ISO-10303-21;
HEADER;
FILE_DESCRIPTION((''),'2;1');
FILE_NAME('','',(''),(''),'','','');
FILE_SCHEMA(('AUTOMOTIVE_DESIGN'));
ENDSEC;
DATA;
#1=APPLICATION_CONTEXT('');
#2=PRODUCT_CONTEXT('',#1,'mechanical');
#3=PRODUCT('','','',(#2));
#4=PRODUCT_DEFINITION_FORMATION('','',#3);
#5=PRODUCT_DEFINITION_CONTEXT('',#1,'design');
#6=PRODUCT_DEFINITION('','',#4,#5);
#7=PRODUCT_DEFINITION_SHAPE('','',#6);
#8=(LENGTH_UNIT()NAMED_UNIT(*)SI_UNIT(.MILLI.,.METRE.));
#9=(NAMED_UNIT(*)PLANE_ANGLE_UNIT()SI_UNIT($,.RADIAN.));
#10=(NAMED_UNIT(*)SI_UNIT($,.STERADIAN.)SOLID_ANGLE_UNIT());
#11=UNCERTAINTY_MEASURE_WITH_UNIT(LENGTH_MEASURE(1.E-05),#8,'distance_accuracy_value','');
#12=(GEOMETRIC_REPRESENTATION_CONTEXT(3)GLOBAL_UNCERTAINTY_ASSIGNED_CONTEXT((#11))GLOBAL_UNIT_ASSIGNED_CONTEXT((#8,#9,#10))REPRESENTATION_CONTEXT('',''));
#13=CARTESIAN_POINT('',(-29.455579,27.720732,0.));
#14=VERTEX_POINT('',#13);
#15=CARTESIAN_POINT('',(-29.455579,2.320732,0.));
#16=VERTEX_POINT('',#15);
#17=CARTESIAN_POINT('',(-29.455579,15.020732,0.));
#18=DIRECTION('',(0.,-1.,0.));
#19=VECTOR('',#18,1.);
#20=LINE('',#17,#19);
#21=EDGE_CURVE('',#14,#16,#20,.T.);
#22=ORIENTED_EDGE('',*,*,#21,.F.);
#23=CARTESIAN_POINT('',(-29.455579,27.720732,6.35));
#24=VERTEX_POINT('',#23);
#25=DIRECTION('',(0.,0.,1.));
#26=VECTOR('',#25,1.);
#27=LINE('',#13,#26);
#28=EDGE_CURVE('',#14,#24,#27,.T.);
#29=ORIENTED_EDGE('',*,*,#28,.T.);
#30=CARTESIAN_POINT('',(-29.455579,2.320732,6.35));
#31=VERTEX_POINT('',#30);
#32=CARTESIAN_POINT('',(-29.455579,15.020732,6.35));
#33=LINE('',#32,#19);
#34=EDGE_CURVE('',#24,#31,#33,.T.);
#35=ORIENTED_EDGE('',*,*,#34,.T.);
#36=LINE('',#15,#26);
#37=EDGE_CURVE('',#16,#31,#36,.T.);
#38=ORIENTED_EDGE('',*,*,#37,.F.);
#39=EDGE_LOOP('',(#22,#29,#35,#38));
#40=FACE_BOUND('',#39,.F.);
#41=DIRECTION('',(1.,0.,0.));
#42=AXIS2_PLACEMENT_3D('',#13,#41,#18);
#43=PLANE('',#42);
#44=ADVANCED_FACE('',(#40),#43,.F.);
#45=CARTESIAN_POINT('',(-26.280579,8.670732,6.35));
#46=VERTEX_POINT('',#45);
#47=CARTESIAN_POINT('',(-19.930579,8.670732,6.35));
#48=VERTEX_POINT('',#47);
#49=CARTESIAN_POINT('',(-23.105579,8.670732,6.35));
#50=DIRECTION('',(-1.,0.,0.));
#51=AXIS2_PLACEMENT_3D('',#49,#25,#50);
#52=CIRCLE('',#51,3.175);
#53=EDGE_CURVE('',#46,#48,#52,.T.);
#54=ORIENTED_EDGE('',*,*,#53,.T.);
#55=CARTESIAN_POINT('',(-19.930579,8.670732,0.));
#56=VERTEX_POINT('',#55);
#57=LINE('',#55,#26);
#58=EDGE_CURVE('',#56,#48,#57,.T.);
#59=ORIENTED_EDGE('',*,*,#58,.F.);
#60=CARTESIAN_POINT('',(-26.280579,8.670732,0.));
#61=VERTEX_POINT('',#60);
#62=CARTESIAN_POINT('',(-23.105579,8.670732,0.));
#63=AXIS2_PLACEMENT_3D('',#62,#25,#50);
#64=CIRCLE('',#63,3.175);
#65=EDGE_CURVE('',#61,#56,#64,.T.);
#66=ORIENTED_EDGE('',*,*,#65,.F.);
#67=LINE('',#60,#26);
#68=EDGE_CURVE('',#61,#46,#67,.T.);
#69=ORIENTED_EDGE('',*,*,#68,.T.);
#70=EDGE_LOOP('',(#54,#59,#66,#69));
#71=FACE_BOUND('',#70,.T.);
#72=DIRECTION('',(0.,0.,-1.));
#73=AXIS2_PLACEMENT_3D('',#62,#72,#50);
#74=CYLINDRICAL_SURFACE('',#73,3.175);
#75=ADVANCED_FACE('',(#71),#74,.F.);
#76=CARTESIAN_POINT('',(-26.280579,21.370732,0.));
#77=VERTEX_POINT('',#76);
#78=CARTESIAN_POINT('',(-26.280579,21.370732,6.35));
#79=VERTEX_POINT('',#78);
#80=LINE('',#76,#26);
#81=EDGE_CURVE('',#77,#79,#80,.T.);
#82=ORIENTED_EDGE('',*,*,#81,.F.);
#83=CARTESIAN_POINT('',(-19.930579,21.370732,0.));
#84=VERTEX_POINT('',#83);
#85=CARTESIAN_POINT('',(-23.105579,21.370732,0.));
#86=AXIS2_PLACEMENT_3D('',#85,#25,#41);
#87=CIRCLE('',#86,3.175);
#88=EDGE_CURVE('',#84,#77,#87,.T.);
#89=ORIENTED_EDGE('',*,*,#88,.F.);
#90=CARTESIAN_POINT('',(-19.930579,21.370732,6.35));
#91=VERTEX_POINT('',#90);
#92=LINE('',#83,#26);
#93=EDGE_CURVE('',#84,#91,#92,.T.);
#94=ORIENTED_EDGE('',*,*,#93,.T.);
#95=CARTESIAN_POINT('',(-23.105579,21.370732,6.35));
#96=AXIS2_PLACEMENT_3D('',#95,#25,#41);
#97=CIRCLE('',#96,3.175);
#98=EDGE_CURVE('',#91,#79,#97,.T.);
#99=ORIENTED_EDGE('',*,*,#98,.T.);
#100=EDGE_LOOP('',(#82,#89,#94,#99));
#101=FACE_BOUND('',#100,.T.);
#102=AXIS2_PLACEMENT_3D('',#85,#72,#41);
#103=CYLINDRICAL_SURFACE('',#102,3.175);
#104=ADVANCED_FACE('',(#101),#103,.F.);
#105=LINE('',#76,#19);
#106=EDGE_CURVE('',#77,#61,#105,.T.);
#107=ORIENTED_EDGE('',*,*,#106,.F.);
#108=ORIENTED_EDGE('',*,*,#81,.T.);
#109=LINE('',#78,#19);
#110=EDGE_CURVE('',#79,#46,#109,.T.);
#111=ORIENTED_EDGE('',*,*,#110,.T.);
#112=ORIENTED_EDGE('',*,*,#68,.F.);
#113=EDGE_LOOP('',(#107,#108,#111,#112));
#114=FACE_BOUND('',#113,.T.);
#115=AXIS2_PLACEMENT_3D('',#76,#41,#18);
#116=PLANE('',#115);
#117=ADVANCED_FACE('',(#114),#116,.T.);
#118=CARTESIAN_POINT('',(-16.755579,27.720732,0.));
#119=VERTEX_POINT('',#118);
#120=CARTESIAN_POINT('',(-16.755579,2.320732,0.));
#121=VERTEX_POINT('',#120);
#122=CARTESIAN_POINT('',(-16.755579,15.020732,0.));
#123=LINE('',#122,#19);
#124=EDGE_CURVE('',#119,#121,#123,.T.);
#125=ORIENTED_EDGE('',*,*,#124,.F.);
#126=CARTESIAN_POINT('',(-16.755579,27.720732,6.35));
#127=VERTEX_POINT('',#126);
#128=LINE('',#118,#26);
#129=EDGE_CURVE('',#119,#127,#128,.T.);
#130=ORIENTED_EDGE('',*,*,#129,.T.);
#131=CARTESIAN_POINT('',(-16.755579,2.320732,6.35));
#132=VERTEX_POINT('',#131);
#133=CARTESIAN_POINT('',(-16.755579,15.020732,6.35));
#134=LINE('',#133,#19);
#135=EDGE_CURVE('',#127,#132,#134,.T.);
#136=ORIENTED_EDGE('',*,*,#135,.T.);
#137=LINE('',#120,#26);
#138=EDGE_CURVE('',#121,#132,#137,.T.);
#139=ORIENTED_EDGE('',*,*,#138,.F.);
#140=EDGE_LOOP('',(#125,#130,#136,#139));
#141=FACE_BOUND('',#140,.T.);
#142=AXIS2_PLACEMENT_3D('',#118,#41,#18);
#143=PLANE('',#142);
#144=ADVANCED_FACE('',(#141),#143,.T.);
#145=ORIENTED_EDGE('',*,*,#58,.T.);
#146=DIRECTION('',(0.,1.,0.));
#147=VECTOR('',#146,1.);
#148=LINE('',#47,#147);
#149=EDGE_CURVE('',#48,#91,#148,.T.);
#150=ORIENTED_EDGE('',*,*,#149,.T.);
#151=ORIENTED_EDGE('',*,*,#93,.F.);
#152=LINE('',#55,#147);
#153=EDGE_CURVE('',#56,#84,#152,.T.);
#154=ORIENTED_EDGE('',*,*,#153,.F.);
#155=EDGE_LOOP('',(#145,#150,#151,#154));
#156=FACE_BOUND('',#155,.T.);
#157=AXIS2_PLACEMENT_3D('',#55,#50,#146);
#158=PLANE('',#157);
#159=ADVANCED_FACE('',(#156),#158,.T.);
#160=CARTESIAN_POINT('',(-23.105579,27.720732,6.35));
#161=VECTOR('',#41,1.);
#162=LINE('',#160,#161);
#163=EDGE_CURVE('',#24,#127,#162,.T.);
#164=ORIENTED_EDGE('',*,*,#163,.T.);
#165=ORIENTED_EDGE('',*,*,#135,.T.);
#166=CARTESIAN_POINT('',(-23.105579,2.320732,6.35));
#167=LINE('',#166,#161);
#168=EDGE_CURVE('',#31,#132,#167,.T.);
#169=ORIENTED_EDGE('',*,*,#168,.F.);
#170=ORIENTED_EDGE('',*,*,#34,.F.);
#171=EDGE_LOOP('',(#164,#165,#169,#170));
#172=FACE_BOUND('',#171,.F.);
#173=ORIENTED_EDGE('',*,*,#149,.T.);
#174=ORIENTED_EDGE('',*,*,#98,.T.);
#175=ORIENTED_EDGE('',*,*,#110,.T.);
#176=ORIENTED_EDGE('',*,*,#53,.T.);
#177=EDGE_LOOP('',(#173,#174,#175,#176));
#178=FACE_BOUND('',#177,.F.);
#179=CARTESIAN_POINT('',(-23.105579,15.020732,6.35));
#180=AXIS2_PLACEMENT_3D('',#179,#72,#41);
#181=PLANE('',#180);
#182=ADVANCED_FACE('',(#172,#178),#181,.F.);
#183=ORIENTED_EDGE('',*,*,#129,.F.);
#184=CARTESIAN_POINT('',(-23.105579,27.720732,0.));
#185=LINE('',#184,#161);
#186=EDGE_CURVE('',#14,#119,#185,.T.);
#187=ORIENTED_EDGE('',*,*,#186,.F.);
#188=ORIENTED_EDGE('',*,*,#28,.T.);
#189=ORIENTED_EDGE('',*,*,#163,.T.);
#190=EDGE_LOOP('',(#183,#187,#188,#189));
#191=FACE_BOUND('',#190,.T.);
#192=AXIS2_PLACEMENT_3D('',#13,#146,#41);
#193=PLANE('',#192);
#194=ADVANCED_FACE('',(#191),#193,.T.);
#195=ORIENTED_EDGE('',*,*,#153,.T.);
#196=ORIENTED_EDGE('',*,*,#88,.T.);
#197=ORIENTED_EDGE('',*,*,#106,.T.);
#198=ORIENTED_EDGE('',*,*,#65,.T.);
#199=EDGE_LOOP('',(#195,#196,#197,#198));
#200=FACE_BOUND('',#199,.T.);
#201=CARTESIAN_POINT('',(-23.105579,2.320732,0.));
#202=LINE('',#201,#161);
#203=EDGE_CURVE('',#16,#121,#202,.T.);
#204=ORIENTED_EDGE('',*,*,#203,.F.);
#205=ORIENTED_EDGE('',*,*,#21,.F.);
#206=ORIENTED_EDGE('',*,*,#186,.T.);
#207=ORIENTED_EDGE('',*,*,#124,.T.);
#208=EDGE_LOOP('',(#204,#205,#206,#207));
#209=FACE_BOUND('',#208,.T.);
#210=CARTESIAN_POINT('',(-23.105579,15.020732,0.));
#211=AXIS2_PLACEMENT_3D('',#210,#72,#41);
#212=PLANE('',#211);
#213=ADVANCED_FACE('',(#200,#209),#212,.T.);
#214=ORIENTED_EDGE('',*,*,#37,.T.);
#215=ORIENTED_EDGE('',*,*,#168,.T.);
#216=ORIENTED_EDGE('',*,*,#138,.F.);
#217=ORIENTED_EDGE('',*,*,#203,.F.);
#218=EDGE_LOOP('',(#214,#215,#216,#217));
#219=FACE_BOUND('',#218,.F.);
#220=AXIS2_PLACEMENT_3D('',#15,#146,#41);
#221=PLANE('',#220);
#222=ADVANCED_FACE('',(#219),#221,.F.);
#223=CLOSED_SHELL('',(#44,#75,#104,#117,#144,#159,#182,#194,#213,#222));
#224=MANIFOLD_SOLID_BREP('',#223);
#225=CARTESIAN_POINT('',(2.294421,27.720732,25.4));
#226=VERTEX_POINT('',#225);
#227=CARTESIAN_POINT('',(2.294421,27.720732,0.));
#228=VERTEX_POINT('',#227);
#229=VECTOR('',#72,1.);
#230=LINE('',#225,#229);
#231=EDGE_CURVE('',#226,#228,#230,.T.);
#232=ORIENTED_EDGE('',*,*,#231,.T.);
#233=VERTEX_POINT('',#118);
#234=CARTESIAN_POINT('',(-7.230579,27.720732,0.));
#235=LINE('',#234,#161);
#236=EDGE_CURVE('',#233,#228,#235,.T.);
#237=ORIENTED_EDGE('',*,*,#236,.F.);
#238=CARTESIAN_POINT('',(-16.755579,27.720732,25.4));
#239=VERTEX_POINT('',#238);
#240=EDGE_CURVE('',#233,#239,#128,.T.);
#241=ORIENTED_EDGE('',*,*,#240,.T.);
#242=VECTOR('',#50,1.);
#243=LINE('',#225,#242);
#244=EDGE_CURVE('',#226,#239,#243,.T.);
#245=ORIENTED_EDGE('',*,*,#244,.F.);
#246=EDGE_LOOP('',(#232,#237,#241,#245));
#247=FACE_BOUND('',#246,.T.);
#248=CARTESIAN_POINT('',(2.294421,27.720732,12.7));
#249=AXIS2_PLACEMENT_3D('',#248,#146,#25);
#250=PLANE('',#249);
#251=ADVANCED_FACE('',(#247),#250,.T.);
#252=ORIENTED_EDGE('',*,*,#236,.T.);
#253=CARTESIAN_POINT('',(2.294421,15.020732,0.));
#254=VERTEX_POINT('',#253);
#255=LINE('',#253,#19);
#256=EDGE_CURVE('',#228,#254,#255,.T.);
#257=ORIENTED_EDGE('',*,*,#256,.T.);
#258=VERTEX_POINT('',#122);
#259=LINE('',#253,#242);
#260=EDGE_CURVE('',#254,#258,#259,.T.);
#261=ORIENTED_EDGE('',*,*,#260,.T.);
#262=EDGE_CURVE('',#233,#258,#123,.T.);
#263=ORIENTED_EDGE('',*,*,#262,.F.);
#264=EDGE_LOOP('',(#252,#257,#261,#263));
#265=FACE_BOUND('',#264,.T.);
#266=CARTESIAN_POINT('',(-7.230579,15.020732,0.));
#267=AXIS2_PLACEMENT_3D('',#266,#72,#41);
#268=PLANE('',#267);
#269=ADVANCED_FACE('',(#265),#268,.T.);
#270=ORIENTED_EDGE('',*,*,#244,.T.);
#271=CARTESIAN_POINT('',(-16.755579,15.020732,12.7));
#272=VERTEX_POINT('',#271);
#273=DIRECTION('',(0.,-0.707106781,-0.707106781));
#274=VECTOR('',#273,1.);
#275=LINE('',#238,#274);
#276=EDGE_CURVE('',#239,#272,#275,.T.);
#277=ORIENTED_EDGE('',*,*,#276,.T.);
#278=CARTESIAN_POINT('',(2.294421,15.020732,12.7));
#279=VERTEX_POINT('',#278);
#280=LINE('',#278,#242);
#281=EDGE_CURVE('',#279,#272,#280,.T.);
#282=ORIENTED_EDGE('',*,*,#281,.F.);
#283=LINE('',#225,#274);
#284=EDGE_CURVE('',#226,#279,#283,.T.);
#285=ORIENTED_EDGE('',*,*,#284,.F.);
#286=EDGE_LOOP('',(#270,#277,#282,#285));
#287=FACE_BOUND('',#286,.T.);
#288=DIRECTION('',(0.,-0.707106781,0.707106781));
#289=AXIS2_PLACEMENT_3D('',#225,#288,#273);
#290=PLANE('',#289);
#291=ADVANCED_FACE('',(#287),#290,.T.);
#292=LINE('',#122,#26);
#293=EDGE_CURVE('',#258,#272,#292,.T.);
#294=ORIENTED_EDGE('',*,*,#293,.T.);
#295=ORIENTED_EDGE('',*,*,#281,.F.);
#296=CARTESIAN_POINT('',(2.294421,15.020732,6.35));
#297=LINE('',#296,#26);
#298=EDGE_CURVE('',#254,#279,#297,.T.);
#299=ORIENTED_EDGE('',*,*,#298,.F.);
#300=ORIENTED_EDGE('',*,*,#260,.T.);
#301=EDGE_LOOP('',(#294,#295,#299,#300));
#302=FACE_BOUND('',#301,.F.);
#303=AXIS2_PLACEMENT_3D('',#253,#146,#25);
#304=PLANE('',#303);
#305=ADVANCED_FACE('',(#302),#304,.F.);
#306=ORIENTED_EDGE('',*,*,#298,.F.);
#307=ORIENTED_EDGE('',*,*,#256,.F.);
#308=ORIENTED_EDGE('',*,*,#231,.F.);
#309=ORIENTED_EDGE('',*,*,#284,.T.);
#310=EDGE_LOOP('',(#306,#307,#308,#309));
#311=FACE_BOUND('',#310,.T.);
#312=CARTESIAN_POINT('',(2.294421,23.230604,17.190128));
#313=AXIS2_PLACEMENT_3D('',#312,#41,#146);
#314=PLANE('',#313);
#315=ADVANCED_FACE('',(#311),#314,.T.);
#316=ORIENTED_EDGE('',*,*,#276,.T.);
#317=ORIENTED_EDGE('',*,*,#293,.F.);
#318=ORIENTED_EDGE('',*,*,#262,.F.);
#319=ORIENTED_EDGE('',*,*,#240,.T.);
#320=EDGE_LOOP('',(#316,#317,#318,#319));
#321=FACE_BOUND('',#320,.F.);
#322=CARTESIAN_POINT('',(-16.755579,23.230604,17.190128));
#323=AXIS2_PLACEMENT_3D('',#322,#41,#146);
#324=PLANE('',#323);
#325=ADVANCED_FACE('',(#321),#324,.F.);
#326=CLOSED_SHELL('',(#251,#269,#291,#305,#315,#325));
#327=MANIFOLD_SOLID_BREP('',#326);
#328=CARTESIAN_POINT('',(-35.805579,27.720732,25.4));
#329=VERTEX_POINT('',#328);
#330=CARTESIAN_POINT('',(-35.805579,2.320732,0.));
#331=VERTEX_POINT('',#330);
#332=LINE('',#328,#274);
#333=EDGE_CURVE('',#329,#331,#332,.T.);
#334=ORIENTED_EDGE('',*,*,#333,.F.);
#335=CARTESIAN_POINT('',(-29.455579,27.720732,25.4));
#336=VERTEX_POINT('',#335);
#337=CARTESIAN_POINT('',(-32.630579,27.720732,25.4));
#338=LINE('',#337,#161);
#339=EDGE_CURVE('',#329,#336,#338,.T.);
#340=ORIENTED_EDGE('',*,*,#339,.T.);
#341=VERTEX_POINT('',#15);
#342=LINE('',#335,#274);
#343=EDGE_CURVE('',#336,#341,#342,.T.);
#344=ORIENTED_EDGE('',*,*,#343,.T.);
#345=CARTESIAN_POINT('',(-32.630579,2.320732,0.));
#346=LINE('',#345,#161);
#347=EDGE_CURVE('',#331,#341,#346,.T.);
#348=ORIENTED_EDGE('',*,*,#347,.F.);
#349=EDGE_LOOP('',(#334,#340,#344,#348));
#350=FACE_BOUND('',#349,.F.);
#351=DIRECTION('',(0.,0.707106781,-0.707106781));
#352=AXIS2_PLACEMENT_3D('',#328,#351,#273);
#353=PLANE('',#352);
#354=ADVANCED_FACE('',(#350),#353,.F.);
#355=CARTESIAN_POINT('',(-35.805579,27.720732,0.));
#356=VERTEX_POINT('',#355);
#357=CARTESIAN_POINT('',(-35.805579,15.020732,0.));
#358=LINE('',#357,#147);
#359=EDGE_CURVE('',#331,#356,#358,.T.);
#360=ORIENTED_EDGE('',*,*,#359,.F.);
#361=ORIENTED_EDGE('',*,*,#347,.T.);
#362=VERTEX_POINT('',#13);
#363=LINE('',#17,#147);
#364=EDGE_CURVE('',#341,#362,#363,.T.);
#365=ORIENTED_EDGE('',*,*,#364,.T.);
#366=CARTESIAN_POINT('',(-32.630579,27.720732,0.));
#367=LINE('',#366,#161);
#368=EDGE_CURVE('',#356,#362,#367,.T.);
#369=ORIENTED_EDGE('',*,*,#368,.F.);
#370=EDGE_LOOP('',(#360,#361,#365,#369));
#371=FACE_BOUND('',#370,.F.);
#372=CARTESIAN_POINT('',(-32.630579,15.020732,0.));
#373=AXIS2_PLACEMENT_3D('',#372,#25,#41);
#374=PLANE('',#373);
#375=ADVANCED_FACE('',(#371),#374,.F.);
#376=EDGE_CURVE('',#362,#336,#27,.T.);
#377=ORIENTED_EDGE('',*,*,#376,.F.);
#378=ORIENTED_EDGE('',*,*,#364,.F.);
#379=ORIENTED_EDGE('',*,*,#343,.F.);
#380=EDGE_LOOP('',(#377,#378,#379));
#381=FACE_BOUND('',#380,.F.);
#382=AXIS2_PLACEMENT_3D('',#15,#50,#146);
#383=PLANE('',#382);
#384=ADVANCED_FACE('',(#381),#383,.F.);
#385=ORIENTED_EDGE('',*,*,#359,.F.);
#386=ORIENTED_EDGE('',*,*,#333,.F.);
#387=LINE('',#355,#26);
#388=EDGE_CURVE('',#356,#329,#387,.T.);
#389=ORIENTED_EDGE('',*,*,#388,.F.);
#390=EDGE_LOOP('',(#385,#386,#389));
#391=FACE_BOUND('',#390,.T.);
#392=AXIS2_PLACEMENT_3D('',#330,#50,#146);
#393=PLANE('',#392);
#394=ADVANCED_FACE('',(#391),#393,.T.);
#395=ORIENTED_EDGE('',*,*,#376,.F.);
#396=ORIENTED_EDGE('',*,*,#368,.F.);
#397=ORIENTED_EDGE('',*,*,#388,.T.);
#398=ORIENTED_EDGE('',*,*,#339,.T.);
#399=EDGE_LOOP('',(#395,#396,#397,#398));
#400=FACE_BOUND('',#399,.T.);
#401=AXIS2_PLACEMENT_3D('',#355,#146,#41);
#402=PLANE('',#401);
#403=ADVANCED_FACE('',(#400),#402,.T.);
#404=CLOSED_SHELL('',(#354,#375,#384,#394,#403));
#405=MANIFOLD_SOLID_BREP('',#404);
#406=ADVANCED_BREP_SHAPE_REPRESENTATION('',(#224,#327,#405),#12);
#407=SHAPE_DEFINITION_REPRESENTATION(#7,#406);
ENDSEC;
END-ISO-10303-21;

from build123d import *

# Parameters (mm, degrees)
F0_W      = 6.35
F0_H      = 25.4
F1_DEPTH  = 25.4
F2_W      = 12.7
F2_H      = 25.4
F3_DEPTH  = 6.35
F4_W      = 19.05
F4_H      = 25.4
F5_DEPTH  = 12.7
F6_W      = 12.7
F6_H      = 12.7
F7_DEPTH  = 25.4
F9_DEPTH  = 6.35
F11_DEPTH = 19.05


with BuildPart() as f1:
    # F0 (on Top) → F1 (new body)
    with BuildSketch(Plane.XY):
        with Locations((-32.6305792749, 15.0207322229)):
            Rectangle(F0_W, F0_H)
    extrude(amount=F1_DEPTH)

    # F8 (on face) → F9 (cut)
    with BuildSketch(Plane(origin=(-35.8055792749, 0, 0), x_dir=(0, -1, 0), z_dir=(-1, 0, 0))):
        Polygon((-27.7207322229, 25.4), (-2.3207322229, 0), (-2.3207322229, 25.4), align=None)
    extrude(amount=-F9_DEPTH, mode=Mode.SUBTRACT)


with BuildPart() as f3:
    # F2 (on face) → F3 (new body)
    with BuildSketch(Plane(origin=(0, 0, 0), x_dir=(1, 0, 0), z_dir=(0, 0, -1))):
        with Locations((-23.1055792749, -15.0207322229)):
            Rectangle(F2_W, F2_H)
        with BuildLine():
            Line((-19.9305792749, -8.6707322229), (-19.9305792749, -21.3707322229))
            ThreePointArc((-19.9305792749, -21.3707322229), (-23.1055792749, -24.5457322229), (-26.2805792749, -21.3707322229))
            Line((-26.2805792749, -21.3707322229), (-26.2805792749, -8.6707322229))
            ThreePointArc((-26.2805792749, -8.6707322229), (-23.1055792749, -5.4957322229), (-19.9305792749, -8.6707322229))
        make_face(mode=Mode.SUBTRACT)
    extrude(amount=-F3_DEPTH)


with BuildPart() as f5:
    # F4 (on face) → F5 (new body)
    with BuildSketch(Plane(origin=(0, 0, 0), x_dir=(1, 0, 0), z_dir=(0, 0, -1))):
        with Locations((-7.2305792749, -15.0207322229)):
            Rectangle(F4_W, F4_H)
    extrude(amount=-F5_DEPTH)

    # F6 (on face) → F7 (cut)
    with BuildSketch(Plane.YZ.offset(2.2944207251)):
        with Locations((8.6707322229, 6.35)):
            Rectangle(F6_W, F6_H)
    extrude(amount=-F7_DEPTH, mode=Mode.SUBTRACT)

    # F10 (on face) → F11 (join)
    with BuildSketch(Plane.YZ.offset(2.2944207251)):
        Polygon((27.7207322229, 25.4), (15.0207322229, 12.7), (27.7207322229, 12.7), align=None)
    extrude(amount=-F11_DEPTH)


solid = Compound([f1.part, f3.part, f5.part])
